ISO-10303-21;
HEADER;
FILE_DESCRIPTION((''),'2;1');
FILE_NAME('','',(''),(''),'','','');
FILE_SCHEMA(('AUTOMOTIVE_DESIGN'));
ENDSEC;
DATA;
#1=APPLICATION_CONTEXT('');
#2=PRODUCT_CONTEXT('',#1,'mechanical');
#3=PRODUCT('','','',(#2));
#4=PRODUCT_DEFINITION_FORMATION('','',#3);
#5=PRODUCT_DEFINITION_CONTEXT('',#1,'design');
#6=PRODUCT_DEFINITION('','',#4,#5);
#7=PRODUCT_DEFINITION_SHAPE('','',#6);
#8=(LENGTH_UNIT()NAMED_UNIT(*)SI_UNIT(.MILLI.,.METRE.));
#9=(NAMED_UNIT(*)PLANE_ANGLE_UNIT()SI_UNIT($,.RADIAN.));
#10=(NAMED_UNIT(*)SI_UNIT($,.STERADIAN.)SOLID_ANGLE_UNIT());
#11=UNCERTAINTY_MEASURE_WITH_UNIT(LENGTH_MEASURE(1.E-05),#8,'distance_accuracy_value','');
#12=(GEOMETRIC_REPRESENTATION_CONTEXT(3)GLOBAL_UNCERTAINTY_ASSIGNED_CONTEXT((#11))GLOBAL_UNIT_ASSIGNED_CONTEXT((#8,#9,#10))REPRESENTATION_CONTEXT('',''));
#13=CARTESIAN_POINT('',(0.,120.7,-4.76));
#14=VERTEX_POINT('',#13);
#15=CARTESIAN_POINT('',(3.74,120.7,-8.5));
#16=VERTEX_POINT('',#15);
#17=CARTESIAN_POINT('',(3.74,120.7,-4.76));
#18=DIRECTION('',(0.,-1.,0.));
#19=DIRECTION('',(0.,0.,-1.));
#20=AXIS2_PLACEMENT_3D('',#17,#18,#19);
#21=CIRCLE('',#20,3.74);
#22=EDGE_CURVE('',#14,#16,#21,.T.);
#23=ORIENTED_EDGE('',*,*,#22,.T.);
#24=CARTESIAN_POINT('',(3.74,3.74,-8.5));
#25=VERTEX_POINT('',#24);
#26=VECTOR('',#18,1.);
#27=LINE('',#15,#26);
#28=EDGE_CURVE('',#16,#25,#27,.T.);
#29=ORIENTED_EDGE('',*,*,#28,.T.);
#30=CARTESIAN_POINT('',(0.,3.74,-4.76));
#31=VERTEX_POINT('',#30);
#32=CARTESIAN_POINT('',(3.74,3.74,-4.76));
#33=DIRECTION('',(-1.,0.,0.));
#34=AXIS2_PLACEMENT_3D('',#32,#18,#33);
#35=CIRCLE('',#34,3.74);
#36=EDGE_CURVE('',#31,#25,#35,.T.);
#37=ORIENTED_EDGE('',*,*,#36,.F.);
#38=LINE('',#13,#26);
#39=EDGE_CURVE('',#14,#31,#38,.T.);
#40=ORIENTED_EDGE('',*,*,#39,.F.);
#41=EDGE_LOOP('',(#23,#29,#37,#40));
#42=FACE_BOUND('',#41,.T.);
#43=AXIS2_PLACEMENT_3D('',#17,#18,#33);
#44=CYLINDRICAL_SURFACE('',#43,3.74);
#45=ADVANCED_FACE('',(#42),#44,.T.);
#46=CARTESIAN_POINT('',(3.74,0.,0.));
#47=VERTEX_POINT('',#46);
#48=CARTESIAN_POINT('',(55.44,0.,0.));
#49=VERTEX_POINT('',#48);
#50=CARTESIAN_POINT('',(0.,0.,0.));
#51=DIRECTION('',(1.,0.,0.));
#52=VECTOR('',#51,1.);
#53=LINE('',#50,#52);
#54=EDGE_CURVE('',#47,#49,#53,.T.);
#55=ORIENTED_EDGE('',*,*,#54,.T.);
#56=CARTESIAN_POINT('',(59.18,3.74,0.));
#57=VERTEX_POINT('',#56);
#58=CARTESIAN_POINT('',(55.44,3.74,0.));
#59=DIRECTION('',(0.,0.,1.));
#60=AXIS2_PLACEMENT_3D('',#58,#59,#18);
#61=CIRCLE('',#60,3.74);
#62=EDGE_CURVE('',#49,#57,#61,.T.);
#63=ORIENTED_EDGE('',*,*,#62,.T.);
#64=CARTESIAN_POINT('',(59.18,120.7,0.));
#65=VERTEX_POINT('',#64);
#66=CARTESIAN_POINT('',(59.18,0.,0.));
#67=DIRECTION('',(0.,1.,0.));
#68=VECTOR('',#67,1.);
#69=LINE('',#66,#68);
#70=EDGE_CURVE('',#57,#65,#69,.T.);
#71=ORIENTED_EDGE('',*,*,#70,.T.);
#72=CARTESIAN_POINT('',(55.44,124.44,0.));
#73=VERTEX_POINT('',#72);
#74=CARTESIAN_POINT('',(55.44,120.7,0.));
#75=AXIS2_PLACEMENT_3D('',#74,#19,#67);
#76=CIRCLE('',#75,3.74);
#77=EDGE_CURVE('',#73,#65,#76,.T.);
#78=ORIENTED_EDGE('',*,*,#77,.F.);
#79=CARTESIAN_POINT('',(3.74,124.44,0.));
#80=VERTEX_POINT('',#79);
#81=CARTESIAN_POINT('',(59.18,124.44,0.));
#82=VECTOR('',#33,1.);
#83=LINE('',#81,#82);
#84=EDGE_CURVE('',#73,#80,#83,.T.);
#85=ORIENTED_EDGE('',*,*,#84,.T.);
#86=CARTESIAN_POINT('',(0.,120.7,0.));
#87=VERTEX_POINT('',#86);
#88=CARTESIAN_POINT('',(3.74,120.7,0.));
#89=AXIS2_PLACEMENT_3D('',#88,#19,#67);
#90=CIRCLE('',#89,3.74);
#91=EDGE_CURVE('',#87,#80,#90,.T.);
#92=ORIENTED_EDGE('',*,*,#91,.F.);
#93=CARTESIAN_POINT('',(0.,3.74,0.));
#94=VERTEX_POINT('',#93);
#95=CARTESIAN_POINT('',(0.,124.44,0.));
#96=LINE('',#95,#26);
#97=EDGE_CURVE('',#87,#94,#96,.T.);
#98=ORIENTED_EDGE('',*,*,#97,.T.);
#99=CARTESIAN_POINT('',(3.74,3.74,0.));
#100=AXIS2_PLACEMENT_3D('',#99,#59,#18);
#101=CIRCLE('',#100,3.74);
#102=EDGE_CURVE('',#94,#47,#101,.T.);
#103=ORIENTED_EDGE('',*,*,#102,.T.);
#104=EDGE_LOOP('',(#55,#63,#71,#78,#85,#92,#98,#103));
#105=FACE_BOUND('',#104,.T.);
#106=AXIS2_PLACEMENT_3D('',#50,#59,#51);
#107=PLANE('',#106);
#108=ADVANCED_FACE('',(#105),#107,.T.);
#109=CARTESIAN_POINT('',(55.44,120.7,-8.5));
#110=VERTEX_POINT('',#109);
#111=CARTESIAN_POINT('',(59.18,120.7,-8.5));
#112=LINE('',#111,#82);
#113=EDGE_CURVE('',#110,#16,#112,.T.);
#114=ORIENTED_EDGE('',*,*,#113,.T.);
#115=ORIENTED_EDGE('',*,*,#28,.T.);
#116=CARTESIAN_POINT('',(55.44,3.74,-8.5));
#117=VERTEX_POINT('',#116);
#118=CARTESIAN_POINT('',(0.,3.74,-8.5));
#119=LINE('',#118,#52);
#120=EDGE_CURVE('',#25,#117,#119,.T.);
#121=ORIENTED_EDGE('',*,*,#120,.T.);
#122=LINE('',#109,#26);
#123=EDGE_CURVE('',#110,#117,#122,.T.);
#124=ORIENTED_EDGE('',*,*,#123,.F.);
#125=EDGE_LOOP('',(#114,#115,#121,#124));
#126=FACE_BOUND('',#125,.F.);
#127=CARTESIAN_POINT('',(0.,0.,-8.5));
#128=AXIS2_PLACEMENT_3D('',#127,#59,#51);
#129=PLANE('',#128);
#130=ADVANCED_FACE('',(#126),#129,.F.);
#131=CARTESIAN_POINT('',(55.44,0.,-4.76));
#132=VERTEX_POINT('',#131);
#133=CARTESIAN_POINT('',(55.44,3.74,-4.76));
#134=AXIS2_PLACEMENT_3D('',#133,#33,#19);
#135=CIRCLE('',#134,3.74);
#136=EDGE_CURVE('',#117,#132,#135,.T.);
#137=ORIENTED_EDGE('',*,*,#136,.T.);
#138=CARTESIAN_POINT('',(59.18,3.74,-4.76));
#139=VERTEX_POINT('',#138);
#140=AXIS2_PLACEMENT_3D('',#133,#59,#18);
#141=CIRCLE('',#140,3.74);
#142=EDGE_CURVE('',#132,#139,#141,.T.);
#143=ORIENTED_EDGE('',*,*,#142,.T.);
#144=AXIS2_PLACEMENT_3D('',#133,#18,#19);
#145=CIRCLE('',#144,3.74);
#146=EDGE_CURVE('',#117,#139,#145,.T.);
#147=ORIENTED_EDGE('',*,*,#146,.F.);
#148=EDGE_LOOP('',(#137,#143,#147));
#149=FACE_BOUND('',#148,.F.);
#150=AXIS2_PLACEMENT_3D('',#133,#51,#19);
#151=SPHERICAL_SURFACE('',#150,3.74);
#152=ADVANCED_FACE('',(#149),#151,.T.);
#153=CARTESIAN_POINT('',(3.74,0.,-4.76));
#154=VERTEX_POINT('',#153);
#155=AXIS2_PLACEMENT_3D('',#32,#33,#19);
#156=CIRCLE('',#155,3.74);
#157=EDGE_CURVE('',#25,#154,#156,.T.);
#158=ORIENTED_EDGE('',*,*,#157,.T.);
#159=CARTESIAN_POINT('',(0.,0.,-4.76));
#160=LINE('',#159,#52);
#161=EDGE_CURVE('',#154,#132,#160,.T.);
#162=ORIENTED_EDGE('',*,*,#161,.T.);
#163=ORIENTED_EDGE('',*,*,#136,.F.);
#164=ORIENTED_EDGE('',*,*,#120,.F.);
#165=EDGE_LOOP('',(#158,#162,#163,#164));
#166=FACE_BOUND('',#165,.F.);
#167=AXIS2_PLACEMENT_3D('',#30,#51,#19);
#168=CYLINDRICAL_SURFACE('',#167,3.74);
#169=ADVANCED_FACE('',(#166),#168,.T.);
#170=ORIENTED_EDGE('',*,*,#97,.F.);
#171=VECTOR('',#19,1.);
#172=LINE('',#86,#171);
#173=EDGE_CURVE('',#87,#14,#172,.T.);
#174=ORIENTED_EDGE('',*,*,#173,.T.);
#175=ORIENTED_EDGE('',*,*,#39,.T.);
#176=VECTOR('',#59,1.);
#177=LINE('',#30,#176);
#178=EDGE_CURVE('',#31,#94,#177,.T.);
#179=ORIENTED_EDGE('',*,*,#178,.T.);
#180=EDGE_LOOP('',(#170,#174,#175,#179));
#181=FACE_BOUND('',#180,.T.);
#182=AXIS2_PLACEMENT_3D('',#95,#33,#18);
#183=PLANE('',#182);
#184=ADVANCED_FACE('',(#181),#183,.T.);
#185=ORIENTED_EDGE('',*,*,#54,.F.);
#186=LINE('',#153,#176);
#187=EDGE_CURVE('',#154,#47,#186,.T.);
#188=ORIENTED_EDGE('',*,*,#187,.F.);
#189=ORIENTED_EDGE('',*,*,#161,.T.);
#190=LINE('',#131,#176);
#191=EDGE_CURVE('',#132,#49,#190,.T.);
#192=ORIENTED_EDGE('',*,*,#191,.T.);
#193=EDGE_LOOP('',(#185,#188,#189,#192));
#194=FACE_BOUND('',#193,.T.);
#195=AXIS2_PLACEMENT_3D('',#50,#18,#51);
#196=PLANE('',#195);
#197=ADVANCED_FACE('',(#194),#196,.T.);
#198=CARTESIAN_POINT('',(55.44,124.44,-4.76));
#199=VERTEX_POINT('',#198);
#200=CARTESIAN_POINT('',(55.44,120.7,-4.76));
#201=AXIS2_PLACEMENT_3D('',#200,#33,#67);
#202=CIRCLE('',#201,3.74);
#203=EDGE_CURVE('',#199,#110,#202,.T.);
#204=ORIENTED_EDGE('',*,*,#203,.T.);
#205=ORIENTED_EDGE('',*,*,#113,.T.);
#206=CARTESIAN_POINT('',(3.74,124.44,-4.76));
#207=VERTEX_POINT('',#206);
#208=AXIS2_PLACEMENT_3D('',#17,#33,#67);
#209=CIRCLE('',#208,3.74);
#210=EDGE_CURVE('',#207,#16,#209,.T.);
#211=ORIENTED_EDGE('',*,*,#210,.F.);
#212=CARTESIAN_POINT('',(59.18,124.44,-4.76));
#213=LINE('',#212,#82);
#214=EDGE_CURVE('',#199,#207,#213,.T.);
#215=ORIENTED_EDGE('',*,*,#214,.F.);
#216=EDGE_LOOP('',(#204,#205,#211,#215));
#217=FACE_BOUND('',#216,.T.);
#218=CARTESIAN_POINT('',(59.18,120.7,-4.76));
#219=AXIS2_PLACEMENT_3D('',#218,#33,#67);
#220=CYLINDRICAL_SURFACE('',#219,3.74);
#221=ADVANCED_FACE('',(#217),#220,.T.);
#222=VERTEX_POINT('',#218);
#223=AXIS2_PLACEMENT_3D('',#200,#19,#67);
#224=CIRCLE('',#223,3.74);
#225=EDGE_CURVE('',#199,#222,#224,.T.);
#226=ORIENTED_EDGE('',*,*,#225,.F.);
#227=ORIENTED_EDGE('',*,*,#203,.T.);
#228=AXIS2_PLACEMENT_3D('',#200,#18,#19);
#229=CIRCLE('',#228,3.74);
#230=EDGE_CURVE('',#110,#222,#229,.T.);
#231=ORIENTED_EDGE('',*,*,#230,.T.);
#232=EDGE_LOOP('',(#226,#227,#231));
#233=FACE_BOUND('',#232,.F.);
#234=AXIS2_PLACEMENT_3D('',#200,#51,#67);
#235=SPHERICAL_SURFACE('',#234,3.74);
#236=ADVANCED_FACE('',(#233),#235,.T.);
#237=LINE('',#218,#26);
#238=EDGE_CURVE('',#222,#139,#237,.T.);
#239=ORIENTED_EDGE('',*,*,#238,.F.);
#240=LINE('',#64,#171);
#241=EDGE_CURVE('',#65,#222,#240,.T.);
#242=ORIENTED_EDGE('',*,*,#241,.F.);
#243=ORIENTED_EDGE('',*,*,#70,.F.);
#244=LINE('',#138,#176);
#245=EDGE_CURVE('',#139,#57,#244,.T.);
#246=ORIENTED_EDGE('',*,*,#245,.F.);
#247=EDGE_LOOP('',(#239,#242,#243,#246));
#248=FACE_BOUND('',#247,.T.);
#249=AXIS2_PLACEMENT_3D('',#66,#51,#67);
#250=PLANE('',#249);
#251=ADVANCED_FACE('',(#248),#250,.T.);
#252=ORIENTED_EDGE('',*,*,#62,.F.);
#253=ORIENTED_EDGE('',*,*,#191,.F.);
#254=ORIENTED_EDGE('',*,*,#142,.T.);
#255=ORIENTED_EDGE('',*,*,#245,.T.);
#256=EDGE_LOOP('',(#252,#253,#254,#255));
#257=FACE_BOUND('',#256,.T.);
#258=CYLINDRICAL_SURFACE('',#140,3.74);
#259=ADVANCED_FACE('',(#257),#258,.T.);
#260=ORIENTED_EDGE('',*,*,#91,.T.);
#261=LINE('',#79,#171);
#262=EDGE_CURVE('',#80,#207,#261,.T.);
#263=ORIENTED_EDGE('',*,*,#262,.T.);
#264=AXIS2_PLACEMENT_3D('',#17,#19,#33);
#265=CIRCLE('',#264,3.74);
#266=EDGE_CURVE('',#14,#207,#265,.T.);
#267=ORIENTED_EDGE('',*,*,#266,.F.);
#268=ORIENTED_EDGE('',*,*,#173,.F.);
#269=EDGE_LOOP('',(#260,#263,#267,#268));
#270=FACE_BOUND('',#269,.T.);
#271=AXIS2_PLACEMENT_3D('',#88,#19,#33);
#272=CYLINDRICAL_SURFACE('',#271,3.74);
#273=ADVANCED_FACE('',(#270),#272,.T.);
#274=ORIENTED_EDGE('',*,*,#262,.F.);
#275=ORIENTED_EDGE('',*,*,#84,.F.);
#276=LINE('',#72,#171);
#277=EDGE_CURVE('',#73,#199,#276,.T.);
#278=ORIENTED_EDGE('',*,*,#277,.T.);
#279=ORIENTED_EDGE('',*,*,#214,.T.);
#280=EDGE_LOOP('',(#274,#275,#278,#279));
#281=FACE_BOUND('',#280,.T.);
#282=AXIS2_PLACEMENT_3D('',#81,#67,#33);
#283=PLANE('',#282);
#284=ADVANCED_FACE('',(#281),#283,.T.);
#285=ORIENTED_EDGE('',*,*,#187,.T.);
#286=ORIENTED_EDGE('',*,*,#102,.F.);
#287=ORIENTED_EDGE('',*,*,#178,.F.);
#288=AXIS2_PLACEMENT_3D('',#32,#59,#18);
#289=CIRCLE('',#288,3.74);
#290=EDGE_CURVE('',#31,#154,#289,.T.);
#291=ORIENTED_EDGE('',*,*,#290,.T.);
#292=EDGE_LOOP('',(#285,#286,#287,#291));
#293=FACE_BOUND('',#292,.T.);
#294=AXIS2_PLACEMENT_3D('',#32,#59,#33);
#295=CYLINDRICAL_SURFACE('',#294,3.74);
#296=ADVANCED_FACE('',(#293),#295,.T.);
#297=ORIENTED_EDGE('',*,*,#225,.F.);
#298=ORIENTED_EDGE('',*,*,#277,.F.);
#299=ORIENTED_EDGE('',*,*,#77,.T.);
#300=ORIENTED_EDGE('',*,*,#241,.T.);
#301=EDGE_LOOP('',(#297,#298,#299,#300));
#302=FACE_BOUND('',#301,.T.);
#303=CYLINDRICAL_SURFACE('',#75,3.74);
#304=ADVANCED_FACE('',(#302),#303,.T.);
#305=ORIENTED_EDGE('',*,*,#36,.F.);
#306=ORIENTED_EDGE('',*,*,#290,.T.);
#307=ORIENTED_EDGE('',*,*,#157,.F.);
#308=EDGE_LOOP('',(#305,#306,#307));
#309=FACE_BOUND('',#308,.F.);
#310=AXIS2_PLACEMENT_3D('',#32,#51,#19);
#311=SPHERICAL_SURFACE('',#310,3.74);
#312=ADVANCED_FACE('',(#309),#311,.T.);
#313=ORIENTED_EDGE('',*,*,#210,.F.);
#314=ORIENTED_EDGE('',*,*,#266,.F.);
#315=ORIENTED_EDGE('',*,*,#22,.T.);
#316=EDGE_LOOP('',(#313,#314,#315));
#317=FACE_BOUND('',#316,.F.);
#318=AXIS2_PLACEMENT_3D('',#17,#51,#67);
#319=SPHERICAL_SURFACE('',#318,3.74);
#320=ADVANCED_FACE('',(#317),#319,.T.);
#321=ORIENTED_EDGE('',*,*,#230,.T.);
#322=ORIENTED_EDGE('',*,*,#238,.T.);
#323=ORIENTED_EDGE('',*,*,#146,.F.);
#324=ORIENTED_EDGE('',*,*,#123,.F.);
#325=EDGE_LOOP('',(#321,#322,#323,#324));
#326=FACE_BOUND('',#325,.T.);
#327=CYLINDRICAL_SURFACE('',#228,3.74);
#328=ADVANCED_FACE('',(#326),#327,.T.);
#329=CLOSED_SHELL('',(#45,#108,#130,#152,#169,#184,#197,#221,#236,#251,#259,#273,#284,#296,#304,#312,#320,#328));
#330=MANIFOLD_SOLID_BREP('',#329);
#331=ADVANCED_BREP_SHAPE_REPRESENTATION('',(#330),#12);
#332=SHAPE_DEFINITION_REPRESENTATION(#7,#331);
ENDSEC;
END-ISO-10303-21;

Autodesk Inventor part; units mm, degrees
ref_plane "YZ Plane" through (0, 0, 0) normal (1, 0, 0) x (0, 1, 0)
ref_plane "XZ Plane" through (0, 0, 0) normal (0, 1, 0) x (-1, 0, 0)
ref_plane "XY Plane" through (0, 0, 0) normal (0, 0, 1) x (1, 0, 0)
sketch "Sketch1" plane through (0, 0, 0) normal (0, 0, 1) x (1, 0, 0)
  line L0 (0, 0) -> (59.18, 0)
  line L1 (59.18, 0) -> (59.18, 124.44)
  line L2 (59.18, 124.44) -> (0, 124.44)
  line L3 (0, 124.44) -> (0, 0)
  dimension "d0" = 59.18
  dimension "d1" = 124.44
extrude "Extrusion1" add sketch "Sketch1" against normal blind 8.5
fillet "Fillet1" radius 3.74 1 edges at (29.59, 124.44, -8.5)
fillet "Fillet2" radius 3.74 1 edges at (29.59, 0, -8.5)
fillet "Fillet3" radius 3.74 5 edges at (59.18, 1.0954, -7.4046) (59.18, 0, -2.38) (59.18, 123.3446, -7.4046) (59.18, 124.44, -2.38) (59.18, 62.22, -8.5)
fillet "Fillet4" radius 3.74 5 edges at (0, 123.3446, -7.4046) (0, 124.44, -2.38) (0, 1.0954, -7.4046) (0, 0, -2.38) (0, 62.22, -8.5)
